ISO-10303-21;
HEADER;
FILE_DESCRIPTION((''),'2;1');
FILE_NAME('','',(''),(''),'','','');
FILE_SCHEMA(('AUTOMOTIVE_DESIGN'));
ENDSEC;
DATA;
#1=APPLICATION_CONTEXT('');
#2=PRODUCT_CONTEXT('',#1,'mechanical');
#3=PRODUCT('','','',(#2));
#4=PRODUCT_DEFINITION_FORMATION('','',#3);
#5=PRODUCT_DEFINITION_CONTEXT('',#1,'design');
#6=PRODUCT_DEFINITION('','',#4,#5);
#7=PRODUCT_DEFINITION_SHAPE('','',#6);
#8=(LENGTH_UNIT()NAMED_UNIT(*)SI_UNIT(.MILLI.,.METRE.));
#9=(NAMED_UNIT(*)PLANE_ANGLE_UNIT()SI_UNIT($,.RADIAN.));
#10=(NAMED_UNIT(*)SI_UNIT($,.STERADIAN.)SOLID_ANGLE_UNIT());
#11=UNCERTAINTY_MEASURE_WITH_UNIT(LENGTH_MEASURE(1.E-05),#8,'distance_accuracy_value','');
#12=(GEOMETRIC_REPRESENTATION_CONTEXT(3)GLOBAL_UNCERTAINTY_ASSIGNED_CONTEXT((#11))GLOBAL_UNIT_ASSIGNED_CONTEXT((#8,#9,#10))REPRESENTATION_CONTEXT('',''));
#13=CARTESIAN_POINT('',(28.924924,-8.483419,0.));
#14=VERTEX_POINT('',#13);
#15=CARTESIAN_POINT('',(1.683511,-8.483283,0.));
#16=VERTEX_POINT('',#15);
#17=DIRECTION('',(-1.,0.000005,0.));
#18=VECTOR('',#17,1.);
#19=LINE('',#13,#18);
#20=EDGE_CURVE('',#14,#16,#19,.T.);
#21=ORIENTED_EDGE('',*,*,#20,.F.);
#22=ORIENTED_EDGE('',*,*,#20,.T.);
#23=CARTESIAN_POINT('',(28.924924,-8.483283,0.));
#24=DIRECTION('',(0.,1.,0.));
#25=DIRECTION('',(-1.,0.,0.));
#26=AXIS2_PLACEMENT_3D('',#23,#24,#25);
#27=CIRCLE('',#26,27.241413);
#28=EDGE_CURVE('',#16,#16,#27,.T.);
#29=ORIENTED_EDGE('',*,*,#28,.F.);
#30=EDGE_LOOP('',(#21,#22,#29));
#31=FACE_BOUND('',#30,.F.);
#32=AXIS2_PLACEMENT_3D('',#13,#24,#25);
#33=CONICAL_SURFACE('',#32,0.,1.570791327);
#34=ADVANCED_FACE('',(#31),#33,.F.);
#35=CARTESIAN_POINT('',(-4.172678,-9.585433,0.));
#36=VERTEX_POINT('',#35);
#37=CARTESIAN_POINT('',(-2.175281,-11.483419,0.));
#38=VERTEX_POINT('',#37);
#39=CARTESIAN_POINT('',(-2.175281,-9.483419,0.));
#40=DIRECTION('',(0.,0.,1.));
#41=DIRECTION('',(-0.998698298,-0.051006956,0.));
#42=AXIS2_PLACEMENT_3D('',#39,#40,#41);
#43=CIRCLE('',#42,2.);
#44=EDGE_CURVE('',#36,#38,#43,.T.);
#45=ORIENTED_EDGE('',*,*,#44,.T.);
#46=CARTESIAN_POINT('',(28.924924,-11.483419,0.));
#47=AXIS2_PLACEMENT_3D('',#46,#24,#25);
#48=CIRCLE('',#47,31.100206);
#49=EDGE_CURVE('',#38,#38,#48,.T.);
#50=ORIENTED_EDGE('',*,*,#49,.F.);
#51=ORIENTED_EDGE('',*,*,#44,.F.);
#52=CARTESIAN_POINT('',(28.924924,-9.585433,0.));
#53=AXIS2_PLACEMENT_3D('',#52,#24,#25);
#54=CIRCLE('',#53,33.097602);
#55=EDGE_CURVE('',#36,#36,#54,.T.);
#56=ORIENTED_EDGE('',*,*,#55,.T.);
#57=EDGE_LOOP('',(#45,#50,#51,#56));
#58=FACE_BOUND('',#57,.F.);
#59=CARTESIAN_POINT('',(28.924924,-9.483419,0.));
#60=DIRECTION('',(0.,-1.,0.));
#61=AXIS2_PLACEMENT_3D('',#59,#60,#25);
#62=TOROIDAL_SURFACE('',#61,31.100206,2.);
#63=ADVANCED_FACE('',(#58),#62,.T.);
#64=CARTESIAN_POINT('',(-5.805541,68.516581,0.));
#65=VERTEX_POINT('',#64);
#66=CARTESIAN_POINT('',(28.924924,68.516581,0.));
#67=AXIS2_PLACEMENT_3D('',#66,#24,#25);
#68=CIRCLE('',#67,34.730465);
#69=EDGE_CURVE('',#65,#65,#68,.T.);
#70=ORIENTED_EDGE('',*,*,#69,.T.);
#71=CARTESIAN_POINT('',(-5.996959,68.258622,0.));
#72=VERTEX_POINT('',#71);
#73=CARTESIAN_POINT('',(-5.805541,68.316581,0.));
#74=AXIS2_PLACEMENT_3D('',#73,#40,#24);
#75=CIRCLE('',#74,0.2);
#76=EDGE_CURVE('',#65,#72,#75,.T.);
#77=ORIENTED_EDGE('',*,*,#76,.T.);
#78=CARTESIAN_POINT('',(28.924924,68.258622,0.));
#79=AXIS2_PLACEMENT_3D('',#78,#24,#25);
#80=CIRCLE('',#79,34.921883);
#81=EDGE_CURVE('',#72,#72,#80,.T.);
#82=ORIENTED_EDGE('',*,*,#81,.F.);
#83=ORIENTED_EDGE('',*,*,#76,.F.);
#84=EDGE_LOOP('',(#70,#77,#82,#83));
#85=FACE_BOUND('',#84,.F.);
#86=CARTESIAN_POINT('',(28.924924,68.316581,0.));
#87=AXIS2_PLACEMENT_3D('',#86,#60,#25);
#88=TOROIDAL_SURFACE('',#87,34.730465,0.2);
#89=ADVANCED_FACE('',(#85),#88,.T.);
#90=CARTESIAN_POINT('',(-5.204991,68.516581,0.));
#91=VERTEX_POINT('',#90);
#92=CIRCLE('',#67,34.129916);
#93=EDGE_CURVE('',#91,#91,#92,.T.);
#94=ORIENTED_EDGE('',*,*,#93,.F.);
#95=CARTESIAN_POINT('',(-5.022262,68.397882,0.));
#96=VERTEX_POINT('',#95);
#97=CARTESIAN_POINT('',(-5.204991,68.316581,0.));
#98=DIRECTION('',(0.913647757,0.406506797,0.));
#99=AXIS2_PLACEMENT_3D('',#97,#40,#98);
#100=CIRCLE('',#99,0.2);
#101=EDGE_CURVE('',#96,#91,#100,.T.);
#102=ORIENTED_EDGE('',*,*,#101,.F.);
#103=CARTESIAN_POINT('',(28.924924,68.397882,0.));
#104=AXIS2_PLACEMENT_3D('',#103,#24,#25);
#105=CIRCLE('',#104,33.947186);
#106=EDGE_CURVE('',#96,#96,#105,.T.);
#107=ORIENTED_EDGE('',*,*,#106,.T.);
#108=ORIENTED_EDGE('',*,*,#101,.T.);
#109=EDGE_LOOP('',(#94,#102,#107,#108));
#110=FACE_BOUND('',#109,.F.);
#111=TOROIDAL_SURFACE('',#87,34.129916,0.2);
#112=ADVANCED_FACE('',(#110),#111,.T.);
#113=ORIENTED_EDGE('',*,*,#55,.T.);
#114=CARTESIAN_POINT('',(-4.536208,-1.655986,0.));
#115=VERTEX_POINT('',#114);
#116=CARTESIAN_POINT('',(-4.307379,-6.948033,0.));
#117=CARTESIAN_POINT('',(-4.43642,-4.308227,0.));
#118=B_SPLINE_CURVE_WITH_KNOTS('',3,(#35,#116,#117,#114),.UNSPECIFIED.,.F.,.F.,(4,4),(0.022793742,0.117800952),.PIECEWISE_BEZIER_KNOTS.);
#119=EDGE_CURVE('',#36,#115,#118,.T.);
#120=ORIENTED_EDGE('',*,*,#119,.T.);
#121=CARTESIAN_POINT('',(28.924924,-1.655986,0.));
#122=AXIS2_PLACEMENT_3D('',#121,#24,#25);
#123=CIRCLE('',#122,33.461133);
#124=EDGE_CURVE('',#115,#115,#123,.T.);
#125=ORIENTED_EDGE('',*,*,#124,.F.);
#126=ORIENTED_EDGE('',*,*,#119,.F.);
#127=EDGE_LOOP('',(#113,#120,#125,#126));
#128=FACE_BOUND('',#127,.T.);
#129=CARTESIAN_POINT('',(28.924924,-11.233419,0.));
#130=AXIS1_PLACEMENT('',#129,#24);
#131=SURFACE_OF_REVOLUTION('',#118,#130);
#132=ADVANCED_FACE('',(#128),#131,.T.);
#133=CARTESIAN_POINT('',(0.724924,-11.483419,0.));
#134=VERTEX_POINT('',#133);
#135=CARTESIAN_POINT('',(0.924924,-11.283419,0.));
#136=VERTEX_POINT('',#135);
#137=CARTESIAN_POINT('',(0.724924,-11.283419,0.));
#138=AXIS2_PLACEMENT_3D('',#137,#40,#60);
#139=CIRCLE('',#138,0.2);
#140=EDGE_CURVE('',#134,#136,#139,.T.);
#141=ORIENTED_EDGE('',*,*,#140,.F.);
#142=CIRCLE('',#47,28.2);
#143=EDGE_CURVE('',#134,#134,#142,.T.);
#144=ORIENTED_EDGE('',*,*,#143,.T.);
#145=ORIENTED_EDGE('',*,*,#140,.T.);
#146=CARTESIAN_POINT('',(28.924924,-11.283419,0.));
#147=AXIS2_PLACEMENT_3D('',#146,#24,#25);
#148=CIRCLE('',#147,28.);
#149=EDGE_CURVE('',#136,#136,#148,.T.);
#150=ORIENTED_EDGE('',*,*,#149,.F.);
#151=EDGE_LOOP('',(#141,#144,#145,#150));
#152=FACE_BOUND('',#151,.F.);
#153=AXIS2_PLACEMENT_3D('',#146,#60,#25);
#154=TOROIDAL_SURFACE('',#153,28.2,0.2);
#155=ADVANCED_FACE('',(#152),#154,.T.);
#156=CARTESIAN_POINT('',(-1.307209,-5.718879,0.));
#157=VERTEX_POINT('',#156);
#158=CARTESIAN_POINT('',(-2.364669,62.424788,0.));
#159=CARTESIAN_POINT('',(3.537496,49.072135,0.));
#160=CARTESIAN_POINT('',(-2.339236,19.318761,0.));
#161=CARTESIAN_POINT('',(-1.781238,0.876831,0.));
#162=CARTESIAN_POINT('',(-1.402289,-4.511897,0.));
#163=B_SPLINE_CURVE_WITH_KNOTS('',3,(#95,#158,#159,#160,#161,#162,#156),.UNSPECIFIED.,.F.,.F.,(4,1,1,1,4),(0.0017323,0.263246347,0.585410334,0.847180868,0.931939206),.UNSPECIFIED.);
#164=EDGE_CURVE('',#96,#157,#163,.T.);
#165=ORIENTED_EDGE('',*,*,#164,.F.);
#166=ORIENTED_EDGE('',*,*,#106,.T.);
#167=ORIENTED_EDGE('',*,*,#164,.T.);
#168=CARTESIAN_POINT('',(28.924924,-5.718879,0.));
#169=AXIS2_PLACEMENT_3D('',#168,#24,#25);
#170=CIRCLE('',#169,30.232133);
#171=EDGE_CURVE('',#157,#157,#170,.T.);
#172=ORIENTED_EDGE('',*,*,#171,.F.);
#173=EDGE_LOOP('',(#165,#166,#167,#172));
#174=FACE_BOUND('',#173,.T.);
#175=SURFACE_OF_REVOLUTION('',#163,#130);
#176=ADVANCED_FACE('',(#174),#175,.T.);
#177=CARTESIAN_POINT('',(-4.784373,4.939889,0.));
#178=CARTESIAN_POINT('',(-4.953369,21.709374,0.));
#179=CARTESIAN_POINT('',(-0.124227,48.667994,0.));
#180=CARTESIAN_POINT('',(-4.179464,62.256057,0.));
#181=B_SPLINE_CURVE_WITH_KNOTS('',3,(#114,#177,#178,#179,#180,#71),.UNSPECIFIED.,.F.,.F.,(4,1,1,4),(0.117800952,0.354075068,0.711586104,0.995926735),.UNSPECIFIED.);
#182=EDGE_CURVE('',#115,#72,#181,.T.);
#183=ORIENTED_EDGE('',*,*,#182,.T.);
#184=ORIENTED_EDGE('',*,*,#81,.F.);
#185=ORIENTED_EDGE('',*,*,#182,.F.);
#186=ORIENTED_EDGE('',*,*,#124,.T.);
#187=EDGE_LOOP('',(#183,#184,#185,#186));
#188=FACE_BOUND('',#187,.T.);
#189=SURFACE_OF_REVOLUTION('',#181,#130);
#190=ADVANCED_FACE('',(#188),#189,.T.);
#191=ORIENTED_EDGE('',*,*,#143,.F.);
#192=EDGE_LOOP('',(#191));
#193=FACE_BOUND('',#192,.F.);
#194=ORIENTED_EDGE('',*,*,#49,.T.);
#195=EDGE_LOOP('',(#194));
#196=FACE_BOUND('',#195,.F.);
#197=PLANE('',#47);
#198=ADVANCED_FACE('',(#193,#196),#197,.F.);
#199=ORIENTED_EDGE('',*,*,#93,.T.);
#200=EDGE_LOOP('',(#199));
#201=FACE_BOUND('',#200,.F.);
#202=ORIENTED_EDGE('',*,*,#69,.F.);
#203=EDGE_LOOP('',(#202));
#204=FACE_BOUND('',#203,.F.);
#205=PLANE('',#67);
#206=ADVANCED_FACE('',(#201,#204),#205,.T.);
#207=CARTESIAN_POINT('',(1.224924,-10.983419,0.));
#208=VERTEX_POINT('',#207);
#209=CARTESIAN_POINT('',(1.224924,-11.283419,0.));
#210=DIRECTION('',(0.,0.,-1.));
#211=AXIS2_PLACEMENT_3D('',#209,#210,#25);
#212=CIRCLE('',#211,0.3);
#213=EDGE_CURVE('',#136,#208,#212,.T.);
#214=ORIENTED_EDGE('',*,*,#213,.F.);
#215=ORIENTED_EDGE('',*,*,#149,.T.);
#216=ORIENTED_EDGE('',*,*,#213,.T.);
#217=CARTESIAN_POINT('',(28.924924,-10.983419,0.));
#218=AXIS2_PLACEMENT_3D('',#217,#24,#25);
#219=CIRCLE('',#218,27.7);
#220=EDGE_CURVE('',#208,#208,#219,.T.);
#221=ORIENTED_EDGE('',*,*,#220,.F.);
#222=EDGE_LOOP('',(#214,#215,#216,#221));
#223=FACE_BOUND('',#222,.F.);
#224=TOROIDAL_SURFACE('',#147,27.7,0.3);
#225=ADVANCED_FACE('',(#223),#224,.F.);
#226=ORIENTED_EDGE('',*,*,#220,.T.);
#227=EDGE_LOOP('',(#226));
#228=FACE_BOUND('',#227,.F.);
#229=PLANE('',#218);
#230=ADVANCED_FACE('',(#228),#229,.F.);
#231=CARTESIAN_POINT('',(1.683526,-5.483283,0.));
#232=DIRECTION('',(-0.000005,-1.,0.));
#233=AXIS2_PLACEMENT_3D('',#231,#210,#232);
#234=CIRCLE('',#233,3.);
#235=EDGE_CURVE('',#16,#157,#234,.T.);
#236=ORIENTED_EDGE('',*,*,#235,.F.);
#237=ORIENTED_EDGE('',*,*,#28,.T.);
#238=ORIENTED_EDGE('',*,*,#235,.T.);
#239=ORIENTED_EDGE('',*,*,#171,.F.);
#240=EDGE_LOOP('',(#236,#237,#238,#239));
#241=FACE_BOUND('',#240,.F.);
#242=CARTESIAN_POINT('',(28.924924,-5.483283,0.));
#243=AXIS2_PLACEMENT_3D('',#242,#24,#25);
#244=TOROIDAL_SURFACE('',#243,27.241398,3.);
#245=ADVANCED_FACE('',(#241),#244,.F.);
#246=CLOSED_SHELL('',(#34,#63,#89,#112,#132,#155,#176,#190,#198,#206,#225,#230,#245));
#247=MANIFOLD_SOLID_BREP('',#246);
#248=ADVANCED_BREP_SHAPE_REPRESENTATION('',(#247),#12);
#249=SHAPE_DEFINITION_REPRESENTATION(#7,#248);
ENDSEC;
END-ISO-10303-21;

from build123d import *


with BuildPart() as f1:
    # F0 (on Top) → F1 (revolve)
    with BuildSketch(Plane.XY):
        with BuildLine():
            Line((1.2249243569, -10.9834193996), (28.9249243569, -10.9834193996))
            Line((28.9249243569, -10.9834193996), (28.9249243569, -8.4834193996))
            Line((28.9249243569, -8.4834193996), (1.683511118, -8.483283196))
            ThreePointArc((1.683511118, -8.483283196), (-0.3528011408, -7.6863200311), (-1.3072086768, -5.7188790138))
            add(Edge.make_bspline(
                [(-5.0222618563, 68.39788196), (-2.3646694765, 62.4247879676), (3.5374962463, 49.0721350813), (-2.3392360738, 19.3187614986), (-1.7812380497, 0.8768307727), (-1.4022889918, -4.5118966104), (-1.3072086768, -5.7188790138)],
                knots=[0.0017323004, 0.0017323004, 0.0017323004, 0.0017323004, 0.2632463475, 0.585410334, 0.8471808679, 0.9319392065, 0.9319392065, 0.9319392065, 0.9319392065], degree=3))
            ThreePointArc((-5.0222618563, 68.39788196), (-5.0960425019, 68.4843010105), (-5.2049914075, 68.5165806004))
            Line((-5.2049914075, 68.5165806004), (-5.8055406922, 68.5165806004))
            ThreePointArc((-5.8055406922, 68.5165806004), (-5.9661516229, 68.4357616767), (-5.9969585281, 68.25862189))
            add(Edge.make_bspline(
                [(-4.5362084172, -1.655986346), (-4.7843727418, 4.9398890803), (-4.9533691179, 21.7093738799), (-0.124227001, 48.6679943746), (-4.1794636673, 62.2560567742), (-5.9969585281, 68.25862189)],
                knots=[0.1178009521, 0.1178009521, 0.1178009521, 0.1178009521, 0.3540750676, 0.7115861039, 0.9959267347, 0.9959267347, 0.9959267347, 0.9959267347], degree=3))
            add(Edge.make_bspline(
                [(-4.1726780612, -9.5854333114), (-4.3073791682, -6.9480329022), (-4.4364200845, -4.3082266012), (-4.5362084172, -1.655986346)],
                knots=[0.0227937423, 0.0227937423, 0.0227937423, 0.0227937423, 0.1178009521, 0.1178009521, 0.1178009521, 0.1178009521], degree=3))
            ThreePointArc((-4.1726780612, -9.5854333114), (-3.5529556241, -10.9332517733), (-2.1752814651, -11.4834193996))
            Line((-2.1752814651, -11.4834193996), (-1.5750756431, -11.4834193996))
            Line((-1.5750756431, -11.4834193996), (0.7249243569, -11.4834193996))
            ThreePointArc((0.7249243569, -11.4834193996), (0.8663457131, -11.4248407559), (0.9249243569, -11.2834193996))
            ThreePointArc((0.9249243569, -11.2834193996), (1.0127923225, -11.0712873653), (1.2249243569, -10.9834193996))
        make_face()
    revolve(axis=Axis((28.9249243569, -11.2334193996, 0), (0, 1, 0)))


solid = f1.part
